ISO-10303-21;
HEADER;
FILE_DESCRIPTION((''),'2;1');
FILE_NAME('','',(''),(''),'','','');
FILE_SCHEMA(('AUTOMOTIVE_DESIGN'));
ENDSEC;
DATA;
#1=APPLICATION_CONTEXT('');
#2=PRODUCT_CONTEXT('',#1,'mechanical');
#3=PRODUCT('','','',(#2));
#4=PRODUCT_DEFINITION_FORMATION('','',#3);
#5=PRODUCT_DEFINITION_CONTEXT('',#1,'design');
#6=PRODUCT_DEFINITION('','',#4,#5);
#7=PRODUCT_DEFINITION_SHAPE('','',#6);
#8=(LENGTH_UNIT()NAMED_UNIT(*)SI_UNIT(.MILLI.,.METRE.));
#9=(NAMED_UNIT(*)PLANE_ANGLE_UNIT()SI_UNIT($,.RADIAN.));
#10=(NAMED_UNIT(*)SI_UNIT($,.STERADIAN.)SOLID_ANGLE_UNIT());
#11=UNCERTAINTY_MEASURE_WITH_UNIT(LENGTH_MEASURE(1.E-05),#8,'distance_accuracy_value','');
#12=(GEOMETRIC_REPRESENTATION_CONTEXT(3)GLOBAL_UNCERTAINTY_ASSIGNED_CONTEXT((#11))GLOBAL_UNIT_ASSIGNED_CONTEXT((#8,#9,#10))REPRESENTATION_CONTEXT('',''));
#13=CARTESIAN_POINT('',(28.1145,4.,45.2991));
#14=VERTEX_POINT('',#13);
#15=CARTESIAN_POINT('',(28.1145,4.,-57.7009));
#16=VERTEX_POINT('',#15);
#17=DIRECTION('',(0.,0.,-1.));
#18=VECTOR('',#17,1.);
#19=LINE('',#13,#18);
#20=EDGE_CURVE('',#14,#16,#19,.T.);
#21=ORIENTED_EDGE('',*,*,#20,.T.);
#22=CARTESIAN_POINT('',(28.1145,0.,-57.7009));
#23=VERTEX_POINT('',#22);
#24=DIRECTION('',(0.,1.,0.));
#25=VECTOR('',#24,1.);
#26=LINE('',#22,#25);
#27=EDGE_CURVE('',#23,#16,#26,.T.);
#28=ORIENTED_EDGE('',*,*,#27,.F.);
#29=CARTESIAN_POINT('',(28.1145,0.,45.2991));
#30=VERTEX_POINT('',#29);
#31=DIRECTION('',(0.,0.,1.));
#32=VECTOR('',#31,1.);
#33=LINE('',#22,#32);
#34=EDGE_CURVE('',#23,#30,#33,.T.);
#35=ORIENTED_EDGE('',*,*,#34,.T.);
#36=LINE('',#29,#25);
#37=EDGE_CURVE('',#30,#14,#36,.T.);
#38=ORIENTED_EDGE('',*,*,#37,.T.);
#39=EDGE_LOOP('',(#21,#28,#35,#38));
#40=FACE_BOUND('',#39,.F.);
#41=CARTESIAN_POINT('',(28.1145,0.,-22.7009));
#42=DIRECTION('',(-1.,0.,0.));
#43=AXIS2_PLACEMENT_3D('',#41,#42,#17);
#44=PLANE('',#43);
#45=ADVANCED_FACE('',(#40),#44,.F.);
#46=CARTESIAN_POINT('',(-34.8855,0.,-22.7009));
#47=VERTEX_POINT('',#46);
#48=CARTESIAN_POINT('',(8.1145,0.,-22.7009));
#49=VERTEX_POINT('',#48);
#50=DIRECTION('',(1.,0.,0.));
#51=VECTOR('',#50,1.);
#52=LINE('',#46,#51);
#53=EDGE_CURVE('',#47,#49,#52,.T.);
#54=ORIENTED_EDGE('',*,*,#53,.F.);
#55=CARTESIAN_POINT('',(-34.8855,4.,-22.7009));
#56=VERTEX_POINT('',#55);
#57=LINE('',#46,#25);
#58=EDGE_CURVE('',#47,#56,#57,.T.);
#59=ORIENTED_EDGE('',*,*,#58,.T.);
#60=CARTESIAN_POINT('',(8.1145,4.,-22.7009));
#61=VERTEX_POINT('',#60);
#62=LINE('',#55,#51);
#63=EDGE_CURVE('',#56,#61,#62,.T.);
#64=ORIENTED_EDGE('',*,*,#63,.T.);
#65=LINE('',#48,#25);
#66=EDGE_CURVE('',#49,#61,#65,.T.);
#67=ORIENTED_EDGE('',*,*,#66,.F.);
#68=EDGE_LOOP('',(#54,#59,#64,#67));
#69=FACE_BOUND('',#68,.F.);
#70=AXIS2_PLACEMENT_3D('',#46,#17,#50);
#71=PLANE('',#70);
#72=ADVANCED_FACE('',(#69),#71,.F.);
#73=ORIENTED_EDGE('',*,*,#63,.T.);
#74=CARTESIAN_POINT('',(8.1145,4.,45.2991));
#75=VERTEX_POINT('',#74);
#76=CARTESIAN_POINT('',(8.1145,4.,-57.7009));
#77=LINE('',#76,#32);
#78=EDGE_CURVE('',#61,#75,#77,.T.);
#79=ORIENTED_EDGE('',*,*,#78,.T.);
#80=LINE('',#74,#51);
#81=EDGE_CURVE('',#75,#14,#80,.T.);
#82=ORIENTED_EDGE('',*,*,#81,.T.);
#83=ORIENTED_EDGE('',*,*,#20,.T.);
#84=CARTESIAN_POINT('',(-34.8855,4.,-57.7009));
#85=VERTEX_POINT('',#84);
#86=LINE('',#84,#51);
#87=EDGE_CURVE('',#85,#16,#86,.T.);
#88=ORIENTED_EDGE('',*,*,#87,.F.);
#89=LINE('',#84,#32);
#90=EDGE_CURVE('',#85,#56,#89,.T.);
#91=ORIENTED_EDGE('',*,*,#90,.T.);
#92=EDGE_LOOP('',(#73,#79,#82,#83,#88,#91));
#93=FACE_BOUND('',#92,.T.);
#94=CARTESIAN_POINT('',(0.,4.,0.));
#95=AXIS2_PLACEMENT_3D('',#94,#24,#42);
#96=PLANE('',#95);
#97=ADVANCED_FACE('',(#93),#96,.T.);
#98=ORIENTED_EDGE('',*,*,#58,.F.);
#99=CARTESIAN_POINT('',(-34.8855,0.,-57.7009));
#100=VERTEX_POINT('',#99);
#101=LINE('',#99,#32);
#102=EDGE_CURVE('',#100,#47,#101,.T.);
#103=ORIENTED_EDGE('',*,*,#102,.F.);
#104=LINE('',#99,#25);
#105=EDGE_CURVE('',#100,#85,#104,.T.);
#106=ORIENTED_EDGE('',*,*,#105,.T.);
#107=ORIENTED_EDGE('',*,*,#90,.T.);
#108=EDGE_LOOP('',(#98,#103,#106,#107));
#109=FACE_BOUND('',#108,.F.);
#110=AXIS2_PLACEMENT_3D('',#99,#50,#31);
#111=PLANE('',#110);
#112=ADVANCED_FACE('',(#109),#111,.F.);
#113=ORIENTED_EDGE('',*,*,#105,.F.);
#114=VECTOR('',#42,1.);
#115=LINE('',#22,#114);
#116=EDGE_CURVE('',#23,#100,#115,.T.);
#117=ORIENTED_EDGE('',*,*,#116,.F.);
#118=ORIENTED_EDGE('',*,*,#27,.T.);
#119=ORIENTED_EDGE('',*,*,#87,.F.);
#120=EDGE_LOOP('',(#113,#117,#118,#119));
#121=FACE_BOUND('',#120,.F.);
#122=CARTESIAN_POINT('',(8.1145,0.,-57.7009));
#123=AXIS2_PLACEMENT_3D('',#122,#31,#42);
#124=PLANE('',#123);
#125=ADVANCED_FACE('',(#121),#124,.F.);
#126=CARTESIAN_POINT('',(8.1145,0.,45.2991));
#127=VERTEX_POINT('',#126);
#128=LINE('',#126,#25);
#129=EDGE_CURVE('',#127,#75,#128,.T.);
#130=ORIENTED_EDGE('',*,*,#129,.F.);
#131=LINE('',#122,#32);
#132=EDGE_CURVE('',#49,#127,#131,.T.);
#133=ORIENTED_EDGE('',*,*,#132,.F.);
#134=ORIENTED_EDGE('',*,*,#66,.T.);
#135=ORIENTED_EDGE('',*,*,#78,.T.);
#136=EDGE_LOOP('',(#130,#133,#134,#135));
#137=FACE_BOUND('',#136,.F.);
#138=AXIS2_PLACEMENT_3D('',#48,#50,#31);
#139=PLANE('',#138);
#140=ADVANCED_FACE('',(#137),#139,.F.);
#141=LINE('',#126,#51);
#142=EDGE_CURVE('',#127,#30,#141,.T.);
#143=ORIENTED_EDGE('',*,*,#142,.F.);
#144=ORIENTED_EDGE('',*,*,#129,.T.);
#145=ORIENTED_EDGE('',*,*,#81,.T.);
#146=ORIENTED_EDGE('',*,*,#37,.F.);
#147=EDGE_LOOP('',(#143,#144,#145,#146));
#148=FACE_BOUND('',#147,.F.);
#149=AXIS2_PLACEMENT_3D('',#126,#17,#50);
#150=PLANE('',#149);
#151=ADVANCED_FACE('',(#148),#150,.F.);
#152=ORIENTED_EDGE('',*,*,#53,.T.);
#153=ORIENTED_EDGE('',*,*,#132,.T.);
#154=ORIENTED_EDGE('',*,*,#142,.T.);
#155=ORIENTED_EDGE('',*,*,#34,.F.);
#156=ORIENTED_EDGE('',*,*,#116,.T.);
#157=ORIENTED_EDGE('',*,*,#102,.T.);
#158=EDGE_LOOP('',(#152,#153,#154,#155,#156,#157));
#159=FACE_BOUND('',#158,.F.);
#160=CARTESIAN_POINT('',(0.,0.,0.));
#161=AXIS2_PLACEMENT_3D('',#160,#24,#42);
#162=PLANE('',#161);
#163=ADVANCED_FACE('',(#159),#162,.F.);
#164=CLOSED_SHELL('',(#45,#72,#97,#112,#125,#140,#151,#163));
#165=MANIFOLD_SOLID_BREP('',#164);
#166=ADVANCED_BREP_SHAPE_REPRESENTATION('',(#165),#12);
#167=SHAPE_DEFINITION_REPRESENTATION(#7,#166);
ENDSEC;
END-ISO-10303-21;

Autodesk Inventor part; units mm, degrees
ref_plane "YZ Plane" through (0, 0, 0) normal (1, 0, 0) x (0, 1, 0)
ref_plane "XZ Plane" through (0, 0, 0) normal (0, 1, 0) x (-1, 0, 0)
ref_plane "XY Plane" through (0, 0, 0) normal (0, 0, 1) x (1, 0, 0)
sketch "Szkic1" plane through (0, 0, 0) normal (0, 1, 0) x (-1, 0, 0)
  line L0 (34.8855, -22.7009) -> (-28.1145, -22.7009)
  line L1 (-28.1145, -22.7009) -> (-28.1145, -57.7009)
  line L2 (-28.1145, -57.7009) -> (34.8855, -57.7009)
  line L3 (34.8855, -57.7009) -> (34.8855, -22.7009)
  line L4 (-28.1145, -57.7009) -> (-8.1145, -57.7009)
  line L5 (-8.1145, -57.7009) -> (-8.1145, 45.2991)
  line L6 (-8.1145, 45.2991) -> (-28.1145, 45.2991)
  line L7 (-28.1145, 45.2991) -> (-28.1145, -57.7009)
  point P0 (0, 0)
  point P1 (-8.1145, -22.7009)
  dimension "d0" = 63
  dimension "d1" = 35
  dimension "d2" = 103
  dimension "d3" = 20
extrude "Wyciągnięcie proste1" add sketch "Szkic1" along normal blind 4
properties part number "S5_Mainboard"
